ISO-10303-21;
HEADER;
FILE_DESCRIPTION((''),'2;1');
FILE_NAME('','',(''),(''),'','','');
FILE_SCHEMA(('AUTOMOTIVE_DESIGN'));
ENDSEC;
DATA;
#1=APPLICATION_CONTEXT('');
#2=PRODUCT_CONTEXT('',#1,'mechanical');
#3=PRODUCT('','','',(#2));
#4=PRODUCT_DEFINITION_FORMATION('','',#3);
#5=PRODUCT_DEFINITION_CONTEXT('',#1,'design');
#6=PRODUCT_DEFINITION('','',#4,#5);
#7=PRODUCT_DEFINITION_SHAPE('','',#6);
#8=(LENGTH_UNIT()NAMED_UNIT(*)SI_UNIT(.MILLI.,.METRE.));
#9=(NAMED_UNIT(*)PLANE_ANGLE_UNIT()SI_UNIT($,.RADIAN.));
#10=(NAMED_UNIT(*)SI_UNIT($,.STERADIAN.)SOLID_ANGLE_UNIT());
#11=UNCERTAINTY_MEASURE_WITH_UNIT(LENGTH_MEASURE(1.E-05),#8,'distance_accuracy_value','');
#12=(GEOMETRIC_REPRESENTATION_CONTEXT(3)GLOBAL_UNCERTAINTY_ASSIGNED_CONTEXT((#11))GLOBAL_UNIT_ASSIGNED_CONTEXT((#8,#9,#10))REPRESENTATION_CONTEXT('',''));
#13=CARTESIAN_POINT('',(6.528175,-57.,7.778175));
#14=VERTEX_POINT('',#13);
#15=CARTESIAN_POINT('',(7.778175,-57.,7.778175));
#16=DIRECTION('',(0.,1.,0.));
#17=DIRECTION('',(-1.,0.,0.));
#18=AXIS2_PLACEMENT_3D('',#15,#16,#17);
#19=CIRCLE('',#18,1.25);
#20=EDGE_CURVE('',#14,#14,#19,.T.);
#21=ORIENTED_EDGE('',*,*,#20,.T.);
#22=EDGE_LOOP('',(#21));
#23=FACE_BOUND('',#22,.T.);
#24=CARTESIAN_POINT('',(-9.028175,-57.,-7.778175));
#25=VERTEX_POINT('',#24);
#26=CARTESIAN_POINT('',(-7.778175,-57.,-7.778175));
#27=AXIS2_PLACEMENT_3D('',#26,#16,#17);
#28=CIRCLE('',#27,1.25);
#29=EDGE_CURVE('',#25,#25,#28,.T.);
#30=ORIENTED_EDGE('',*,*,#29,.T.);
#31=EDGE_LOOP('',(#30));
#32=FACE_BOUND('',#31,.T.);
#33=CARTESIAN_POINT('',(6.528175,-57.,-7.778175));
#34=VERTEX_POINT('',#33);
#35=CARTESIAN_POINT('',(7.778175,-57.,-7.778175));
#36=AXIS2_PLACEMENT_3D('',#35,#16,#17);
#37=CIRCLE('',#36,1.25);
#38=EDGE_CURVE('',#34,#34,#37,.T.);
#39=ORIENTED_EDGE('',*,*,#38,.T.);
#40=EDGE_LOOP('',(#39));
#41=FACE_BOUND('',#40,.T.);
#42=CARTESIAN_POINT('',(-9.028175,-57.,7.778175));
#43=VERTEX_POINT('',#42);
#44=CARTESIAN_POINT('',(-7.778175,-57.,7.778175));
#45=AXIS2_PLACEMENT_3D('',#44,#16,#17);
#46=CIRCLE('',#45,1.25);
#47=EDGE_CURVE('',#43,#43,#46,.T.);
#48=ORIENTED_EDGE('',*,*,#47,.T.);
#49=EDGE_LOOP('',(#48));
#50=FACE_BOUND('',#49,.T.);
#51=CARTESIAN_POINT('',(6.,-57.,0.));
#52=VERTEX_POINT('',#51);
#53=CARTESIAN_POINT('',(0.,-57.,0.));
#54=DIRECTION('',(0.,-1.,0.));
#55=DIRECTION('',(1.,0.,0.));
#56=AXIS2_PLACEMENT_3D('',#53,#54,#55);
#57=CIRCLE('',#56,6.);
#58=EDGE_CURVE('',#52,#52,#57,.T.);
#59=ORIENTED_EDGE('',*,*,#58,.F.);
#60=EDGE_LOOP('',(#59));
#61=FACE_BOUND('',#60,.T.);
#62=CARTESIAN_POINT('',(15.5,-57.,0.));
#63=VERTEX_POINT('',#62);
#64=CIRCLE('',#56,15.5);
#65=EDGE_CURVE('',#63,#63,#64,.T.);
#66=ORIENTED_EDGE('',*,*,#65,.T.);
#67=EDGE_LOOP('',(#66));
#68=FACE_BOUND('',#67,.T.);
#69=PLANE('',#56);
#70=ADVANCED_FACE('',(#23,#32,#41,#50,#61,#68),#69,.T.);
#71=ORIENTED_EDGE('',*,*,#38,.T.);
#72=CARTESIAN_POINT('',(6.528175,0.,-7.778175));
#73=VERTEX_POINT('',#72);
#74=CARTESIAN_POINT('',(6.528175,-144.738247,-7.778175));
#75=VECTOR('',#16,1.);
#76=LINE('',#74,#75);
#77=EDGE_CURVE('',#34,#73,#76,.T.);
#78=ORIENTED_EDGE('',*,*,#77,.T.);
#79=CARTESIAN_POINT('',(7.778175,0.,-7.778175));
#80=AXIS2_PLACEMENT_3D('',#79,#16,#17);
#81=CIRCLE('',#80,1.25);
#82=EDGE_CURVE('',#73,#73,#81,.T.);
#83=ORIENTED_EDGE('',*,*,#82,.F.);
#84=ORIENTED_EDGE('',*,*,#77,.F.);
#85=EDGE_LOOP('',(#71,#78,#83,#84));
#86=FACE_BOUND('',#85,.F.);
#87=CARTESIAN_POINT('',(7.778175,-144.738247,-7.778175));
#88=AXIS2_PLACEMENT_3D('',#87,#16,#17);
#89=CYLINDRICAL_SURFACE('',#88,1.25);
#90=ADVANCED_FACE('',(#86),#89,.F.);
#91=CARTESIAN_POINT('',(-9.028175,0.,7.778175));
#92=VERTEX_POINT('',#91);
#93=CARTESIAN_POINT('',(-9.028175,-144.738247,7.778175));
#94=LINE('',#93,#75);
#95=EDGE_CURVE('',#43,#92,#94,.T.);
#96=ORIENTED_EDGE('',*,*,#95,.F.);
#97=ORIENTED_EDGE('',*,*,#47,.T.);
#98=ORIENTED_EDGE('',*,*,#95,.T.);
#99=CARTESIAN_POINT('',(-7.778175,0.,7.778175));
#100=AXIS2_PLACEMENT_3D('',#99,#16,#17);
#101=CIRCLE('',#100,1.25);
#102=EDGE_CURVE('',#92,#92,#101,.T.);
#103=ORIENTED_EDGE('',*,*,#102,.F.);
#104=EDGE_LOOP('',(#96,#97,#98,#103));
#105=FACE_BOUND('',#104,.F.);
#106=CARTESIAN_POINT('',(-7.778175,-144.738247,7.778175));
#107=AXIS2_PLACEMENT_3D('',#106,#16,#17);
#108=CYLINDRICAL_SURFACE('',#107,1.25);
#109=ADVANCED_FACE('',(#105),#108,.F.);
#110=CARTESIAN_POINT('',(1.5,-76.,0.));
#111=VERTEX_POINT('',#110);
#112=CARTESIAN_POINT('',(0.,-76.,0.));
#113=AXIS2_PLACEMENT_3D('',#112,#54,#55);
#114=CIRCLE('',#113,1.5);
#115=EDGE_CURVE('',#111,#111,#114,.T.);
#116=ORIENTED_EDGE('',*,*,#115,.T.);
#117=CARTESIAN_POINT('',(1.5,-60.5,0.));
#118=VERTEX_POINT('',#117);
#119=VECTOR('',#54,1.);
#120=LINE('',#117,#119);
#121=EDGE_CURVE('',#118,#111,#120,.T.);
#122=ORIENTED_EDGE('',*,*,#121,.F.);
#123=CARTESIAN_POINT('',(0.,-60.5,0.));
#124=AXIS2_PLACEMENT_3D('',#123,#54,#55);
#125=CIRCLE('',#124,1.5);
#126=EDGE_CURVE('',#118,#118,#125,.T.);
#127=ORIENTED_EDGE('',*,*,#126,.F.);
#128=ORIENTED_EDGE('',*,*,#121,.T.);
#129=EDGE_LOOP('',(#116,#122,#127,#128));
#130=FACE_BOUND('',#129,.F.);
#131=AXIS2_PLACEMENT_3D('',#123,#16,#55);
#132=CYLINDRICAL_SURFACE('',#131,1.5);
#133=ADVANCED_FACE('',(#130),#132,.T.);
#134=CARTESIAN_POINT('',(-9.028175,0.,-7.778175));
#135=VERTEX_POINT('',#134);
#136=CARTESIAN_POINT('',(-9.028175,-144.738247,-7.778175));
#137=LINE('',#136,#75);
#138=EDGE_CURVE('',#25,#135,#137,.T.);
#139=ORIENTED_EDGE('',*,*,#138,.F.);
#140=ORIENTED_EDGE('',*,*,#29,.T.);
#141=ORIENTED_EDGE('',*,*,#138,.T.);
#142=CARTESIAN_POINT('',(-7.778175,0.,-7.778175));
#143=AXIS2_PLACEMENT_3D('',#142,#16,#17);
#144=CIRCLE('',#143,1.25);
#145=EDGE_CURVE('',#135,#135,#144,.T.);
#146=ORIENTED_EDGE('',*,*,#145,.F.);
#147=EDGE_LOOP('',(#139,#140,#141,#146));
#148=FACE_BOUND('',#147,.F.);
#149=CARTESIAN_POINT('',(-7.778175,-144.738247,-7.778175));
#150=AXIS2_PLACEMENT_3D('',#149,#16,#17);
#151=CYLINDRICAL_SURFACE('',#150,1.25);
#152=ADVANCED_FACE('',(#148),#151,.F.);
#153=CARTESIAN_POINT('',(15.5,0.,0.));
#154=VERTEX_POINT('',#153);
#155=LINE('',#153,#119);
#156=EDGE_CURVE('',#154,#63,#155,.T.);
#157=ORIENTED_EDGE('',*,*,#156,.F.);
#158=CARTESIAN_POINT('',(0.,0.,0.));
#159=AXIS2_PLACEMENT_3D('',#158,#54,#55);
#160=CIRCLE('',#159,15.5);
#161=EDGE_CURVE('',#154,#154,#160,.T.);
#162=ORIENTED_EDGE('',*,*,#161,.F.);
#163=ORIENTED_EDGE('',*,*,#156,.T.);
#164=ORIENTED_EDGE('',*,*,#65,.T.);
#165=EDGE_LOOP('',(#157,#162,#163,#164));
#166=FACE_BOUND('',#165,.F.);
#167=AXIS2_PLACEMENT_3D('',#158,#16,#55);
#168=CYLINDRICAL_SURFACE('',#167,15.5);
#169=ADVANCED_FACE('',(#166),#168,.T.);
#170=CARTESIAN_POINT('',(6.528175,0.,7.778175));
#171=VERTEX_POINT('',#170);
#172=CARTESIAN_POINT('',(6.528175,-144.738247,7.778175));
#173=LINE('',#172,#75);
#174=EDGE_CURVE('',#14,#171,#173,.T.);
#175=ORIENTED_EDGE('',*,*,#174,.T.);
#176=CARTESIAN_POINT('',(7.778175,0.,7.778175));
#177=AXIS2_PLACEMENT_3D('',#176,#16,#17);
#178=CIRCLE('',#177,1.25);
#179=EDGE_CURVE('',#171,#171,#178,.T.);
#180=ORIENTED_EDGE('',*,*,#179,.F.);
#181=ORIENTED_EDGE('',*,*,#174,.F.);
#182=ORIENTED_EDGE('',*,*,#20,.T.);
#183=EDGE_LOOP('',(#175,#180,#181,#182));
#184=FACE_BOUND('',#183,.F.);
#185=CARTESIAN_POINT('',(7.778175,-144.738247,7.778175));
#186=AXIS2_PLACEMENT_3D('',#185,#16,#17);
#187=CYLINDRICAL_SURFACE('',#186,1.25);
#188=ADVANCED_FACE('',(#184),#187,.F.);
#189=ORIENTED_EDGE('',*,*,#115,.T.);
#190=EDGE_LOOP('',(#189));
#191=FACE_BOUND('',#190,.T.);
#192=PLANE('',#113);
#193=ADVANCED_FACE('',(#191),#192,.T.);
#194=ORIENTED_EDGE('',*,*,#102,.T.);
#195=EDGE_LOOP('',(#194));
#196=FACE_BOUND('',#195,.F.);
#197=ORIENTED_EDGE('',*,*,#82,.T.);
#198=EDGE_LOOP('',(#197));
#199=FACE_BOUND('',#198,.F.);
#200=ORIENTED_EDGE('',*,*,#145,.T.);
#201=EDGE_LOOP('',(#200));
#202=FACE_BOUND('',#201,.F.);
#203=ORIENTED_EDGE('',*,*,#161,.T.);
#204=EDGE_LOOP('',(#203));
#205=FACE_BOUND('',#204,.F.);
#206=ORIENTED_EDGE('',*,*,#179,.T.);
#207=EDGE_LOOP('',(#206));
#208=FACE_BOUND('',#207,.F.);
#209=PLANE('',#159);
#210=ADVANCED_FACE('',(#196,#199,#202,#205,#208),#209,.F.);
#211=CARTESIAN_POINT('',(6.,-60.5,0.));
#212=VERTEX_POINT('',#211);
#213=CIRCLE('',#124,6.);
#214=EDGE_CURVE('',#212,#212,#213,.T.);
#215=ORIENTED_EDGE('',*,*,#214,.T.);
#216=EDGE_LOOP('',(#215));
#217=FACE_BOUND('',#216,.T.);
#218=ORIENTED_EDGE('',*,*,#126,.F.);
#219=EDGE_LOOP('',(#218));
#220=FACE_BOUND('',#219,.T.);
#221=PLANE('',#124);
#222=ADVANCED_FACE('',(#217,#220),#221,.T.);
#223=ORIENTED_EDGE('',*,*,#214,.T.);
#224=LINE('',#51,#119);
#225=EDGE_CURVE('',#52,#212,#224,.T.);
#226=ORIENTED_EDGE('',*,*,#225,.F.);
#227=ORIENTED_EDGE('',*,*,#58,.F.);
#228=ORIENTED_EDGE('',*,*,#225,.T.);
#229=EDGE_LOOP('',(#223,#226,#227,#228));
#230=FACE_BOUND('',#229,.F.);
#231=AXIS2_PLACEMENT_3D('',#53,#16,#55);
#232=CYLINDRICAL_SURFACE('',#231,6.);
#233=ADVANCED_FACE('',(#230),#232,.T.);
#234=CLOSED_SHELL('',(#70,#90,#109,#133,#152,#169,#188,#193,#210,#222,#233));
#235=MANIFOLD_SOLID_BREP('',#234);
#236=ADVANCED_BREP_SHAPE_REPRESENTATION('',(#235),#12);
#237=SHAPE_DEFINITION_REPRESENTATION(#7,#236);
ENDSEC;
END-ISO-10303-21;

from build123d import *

# Parameters (mm, degrees)
F0_R     = 15.5
F1_DEPTH = 57
F2_R     = 6
F3_DEPTH = 3.5
F4_R     = 1.5
F5_DEPTH = 15.5
F6_D     = 2.5


with BuildPart() as f1:
    # F0 (on Front) → F1 (new body)
    with BuildSketch(Plane.XZ):
        Circle(F0_R)
    extrude(amount=F1_DEPTH)

    # F2 (on face) → F3 (join)
    with BuildSketch(Plane.XZ.offset(57)):
        Circle(F2_R)
    extrude(amount=F3_DEPTH)

    # F4 (on face) → F5 (join)
    with BuildSketch(Plane.XZ.offset(60.5)):
        Circle(F4_R)
    extrude(amount=F5_DEPTH)

    # F6 (through all)
    with Locations(Plane.XZ.offset(57)):
        with Locations((-7.7781745931, 7.7781745931), (7.7781745931, 7.7781745931), (7.7781745931, -7.7781745931), (-7.7781745931, -7.7781745931)):
            Hole(F6_D / 2)


solid = f1.part
